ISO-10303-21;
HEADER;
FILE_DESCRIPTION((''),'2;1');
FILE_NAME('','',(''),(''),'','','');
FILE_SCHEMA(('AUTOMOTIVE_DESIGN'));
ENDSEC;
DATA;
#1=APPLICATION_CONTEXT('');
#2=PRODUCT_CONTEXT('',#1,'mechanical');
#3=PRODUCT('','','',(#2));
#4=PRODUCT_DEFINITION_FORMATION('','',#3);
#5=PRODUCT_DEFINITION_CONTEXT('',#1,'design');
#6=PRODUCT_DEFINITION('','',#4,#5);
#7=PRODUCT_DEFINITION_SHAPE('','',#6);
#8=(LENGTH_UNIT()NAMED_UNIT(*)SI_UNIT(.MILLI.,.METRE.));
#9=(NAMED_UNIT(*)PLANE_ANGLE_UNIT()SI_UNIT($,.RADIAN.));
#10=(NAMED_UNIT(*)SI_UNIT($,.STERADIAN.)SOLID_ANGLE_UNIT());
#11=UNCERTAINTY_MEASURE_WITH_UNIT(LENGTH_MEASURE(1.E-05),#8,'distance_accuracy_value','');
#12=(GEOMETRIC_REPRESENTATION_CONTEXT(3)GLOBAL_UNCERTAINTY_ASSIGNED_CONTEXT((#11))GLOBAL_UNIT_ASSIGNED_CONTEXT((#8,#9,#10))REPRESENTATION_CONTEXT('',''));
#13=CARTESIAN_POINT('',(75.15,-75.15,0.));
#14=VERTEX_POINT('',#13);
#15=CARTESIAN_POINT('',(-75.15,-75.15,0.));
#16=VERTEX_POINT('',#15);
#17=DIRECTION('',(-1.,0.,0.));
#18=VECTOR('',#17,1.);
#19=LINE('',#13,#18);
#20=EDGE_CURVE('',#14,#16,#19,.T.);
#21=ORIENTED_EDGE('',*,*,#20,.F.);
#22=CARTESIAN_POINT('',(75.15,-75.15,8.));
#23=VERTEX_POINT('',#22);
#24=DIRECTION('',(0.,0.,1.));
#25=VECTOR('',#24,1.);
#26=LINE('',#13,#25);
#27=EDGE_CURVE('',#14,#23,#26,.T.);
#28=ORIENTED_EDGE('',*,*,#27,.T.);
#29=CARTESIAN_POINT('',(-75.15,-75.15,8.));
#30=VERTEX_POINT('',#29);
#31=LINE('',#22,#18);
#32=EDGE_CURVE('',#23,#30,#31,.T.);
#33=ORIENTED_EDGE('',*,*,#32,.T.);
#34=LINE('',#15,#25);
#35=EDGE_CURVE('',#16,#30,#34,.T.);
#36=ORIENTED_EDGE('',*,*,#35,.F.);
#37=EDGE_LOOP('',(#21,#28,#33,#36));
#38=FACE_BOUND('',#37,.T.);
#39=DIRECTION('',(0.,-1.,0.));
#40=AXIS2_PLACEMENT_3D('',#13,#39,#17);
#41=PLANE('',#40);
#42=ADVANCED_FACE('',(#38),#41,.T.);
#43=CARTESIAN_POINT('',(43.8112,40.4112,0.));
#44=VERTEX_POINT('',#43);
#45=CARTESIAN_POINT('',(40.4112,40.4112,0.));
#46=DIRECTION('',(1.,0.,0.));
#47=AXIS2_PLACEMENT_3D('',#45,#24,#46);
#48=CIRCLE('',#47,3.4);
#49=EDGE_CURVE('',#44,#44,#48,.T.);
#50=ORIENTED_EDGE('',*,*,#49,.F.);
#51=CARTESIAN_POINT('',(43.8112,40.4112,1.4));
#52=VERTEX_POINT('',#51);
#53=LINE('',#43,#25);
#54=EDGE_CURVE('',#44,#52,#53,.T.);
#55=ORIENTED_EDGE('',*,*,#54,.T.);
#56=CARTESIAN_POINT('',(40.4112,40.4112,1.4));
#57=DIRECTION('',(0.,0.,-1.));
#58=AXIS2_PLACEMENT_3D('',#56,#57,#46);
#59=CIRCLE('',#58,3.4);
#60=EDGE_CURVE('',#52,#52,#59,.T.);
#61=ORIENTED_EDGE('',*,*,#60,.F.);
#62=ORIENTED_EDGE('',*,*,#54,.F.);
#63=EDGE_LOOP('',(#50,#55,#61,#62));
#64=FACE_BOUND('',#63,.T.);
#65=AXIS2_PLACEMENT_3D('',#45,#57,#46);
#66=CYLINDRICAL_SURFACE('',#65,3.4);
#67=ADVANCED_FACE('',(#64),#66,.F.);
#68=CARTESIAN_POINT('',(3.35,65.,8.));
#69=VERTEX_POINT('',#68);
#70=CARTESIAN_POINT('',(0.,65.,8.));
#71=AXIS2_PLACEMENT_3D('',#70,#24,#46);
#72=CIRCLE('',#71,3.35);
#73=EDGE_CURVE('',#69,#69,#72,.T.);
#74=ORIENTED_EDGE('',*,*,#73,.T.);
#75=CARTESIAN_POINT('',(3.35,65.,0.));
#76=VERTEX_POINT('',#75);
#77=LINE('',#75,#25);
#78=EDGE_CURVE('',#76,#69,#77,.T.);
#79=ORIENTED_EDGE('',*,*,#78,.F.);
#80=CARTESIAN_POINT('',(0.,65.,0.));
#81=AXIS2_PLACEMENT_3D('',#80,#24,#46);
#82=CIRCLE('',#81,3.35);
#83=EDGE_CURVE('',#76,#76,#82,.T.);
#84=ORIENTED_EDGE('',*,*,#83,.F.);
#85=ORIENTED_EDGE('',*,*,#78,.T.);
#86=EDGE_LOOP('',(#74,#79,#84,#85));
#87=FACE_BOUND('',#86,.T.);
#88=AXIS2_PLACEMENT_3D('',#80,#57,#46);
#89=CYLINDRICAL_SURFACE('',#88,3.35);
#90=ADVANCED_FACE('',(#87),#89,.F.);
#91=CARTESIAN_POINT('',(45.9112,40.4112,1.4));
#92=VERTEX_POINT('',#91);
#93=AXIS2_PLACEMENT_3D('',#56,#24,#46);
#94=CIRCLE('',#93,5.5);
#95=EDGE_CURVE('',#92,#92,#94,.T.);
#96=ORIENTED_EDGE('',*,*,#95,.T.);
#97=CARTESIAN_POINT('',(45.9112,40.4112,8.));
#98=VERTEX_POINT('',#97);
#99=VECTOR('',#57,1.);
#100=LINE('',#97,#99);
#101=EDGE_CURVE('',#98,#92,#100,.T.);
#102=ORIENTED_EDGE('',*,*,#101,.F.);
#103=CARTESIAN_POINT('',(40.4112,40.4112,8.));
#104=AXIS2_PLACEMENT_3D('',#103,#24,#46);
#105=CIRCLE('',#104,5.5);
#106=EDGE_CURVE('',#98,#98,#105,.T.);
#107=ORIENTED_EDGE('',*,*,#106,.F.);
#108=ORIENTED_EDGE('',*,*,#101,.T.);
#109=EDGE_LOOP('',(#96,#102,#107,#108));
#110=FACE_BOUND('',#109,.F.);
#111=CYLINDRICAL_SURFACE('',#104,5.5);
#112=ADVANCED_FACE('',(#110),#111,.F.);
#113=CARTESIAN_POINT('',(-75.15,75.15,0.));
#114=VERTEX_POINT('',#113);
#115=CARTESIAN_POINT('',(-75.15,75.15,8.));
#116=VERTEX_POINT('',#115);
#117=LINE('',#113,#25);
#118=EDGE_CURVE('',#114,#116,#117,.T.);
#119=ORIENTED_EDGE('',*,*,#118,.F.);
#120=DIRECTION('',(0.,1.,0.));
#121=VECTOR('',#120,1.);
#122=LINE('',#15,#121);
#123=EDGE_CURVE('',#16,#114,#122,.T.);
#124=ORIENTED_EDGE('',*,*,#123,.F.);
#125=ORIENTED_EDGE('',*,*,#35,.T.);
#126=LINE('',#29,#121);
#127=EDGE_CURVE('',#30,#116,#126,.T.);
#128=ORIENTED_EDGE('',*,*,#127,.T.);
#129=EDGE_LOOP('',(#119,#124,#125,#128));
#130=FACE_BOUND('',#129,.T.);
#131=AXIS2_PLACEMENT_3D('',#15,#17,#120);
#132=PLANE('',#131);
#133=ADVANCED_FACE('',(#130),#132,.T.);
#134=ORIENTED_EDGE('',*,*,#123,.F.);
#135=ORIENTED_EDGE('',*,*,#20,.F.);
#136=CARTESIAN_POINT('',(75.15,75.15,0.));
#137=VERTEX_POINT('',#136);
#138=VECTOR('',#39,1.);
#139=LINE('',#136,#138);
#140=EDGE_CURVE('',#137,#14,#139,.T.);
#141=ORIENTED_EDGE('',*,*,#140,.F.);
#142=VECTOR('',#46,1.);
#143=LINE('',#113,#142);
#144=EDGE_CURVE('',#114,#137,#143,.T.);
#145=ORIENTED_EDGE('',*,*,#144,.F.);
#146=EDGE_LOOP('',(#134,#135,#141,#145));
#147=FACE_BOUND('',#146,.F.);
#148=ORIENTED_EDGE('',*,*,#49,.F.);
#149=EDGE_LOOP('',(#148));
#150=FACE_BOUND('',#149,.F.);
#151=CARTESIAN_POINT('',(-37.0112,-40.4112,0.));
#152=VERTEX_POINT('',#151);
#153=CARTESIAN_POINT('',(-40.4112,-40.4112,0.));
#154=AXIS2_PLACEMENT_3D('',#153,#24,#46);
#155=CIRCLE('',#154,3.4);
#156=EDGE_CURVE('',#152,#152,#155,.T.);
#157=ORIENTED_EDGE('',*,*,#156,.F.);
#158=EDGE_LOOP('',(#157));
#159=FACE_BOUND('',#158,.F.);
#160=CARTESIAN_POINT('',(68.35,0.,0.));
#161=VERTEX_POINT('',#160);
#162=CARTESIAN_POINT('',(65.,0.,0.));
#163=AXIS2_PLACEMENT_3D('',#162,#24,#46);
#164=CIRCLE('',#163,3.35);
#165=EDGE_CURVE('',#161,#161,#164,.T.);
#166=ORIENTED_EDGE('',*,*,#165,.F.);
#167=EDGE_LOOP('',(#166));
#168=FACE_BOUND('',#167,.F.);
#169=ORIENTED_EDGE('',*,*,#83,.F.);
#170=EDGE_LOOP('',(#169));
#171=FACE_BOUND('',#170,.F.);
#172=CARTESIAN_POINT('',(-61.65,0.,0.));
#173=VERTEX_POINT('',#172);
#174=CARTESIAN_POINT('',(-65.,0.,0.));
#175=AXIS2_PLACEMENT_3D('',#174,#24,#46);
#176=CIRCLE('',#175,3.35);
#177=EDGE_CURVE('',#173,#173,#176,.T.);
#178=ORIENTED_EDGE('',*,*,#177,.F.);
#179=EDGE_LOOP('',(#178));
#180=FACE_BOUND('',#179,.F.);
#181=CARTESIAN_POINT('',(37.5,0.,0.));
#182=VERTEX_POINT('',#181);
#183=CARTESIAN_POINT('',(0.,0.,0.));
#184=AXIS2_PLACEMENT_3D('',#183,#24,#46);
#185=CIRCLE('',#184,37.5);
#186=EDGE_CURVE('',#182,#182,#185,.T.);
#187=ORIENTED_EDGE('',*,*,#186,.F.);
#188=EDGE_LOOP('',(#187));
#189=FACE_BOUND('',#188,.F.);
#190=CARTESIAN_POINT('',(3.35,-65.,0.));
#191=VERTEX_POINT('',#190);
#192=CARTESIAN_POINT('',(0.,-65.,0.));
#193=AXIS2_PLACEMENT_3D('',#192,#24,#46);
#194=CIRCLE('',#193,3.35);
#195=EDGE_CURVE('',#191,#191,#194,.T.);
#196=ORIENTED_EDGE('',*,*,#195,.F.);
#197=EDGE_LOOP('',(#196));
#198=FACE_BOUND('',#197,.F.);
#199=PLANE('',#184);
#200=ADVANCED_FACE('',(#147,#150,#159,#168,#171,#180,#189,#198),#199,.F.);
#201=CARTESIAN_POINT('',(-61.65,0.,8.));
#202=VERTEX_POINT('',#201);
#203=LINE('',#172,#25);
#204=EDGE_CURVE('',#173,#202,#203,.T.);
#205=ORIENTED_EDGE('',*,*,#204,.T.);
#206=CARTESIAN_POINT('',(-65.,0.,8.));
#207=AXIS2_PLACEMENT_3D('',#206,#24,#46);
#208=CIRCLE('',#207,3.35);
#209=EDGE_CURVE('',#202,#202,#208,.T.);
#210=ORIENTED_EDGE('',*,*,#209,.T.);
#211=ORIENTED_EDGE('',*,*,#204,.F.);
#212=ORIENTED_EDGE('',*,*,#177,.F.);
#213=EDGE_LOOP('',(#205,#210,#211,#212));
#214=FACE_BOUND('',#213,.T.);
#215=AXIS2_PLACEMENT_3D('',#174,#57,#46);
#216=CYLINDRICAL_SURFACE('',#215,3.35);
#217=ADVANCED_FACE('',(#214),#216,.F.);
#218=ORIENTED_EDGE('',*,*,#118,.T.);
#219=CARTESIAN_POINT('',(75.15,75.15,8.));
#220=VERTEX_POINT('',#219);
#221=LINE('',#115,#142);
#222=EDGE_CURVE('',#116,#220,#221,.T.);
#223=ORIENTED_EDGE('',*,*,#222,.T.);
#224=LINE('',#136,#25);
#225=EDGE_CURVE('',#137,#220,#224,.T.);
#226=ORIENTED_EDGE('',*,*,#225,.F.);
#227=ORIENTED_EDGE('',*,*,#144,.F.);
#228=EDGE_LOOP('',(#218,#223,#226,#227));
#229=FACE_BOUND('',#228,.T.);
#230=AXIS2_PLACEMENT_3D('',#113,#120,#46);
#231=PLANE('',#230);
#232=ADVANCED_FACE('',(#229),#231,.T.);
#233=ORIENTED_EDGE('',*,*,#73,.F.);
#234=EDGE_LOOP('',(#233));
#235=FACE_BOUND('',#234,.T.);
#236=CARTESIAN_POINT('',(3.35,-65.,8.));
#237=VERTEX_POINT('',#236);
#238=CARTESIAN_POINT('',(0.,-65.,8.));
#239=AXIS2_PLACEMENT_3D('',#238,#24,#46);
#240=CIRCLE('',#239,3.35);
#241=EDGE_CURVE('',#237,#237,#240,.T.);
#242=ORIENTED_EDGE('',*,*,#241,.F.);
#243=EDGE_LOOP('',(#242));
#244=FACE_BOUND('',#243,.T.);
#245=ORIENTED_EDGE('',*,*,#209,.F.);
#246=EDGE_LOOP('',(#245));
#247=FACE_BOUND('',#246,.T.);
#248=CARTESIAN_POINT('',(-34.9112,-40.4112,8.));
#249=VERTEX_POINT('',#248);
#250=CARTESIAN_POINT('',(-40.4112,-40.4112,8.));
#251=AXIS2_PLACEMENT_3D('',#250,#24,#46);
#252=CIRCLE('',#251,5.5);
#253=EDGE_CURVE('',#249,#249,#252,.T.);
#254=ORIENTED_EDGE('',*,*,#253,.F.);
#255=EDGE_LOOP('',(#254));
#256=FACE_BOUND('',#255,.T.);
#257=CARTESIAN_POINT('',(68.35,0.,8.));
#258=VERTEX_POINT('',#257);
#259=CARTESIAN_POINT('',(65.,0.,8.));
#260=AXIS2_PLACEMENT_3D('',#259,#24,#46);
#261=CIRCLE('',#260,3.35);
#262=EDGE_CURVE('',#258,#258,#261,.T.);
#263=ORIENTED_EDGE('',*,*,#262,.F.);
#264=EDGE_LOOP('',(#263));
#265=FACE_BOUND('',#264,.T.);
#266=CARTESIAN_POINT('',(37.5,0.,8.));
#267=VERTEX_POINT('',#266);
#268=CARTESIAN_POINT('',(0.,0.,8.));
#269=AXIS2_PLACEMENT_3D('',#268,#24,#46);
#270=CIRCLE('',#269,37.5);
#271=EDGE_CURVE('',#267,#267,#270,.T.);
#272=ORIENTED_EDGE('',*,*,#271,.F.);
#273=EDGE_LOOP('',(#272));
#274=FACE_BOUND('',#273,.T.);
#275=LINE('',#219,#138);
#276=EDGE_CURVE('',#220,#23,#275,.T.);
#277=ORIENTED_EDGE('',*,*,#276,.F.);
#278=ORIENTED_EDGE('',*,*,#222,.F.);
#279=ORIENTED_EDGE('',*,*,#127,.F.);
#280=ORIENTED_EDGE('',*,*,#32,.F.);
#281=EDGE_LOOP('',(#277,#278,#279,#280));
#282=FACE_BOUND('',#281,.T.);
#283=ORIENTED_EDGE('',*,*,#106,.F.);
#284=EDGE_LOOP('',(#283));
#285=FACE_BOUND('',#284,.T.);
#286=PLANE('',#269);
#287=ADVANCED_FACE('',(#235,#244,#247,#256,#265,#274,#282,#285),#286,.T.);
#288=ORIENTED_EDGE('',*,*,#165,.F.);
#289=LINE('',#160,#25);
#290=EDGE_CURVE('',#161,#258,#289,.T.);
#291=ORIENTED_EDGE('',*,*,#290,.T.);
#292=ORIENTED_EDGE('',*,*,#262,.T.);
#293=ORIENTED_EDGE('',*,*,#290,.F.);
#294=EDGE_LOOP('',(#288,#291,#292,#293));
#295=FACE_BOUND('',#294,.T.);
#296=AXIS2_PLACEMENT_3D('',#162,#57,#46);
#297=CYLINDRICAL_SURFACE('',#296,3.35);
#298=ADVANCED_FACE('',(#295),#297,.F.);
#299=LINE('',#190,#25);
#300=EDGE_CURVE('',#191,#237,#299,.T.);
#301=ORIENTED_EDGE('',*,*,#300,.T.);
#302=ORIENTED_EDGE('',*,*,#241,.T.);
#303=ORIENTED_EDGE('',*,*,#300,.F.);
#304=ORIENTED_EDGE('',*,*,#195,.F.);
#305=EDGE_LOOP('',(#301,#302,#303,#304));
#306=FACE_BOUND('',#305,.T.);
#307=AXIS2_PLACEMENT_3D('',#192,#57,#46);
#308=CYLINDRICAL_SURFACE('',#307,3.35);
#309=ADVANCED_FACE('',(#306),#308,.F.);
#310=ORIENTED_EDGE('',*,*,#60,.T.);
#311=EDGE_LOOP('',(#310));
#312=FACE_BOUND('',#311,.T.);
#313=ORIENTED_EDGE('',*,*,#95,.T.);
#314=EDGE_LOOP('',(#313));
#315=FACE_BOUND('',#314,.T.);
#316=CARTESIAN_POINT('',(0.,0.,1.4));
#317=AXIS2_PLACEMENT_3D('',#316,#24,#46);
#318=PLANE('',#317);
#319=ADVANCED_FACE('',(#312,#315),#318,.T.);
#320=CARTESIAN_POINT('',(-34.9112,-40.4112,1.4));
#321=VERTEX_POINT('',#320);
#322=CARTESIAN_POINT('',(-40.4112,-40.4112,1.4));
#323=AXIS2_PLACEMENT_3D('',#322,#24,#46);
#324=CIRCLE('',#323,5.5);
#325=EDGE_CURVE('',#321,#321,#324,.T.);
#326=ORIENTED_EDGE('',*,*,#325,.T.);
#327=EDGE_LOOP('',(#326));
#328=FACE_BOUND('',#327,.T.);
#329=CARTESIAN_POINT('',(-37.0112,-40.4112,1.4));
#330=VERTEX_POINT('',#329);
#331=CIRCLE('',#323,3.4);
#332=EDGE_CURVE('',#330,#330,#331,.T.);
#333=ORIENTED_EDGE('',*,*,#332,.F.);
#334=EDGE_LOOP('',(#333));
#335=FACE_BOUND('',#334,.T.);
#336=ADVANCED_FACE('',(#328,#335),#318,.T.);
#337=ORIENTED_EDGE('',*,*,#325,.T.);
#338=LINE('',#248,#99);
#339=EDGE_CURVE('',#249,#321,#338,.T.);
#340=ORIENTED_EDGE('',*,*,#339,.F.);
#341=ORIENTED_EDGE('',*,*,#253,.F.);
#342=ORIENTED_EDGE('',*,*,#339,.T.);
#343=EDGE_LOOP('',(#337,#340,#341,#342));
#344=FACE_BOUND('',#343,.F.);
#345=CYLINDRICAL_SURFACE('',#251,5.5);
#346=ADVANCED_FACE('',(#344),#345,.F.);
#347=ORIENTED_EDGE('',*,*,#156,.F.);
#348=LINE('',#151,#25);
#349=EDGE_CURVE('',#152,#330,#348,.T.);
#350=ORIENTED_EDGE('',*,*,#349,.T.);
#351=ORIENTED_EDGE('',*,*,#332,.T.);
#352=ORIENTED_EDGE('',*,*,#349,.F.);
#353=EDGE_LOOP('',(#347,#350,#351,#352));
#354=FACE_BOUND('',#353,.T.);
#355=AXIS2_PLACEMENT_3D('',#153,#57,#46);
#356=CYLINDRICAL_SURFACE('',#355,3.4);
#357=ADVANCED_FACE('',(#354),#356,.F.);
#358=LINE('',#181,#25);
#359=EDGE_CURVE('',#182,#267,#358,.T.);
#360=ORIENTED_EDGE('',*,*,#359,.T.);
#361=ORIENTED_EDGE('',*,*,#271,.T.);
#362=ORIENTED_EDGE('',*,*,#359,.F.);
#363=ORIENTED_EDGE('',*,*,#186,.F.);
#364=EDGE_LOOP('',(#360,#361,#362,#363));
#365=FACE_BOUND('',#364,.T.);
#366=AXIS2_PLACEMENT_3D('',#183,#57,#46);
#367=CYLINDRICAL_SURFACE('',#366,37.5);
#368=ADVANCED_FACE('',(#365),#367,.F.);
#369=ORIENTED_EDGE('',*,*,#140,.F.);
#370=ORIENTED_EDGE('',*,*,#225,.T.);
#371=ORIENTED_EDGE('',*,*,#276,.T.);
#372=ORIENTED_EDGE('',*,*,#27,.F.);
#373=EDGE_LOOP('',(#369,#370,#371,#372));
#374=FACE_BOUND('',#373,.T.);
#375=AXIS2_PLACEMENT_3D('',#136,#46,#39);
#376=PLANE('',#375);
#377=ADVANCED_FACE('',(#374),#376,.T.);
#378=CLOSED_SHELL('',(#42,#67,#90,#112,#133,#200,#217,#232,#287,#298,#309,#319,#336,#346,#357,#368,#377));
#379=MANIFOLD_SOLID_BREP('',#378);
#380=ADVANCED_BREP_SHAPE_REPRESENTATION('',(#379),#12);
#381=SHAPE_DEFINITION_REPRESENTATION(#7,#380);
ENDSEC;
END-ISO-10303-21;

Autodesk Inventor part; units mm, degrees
ref_plane "YZ Plane" through (0, 0, 0) normal (1, 0, 0) x (0, 1, 0)
ref_plane "XZ Plane" through (0, 0, 0) normal (0, 1, 0) x (-1, 0, 0)
ref_plane "XY Plane" through (0, 0, 0) normal (0, 0, 1) x (1, 0, 0)
sketch "Sketch1" plane through (0, 0, 0) normal (0, 0, 1) x (1, 0, 0)
  line L0 (-75.15, 75.15) -> (75.15, 75.15)
  line L1 (75.15, 75.15) -> (75.15, -75.15)
  line L2 (75.15, -75.15) -> (-75.15, -75.15)
  line L3 (-75.15, -75.15) -> (-75.15, 75.15)
  circle A0 centre (40.4112, 40.4112) radius 3.4
  circle A1 centre (-40.4112, -40.4112) radius 3.4
  circle A2 centre (-65, 0) radius 3.35
  circle A3 centre (0, -65) radius 3.35
  circle A4 centre (0, 65) radius 3.35
  circle A5 centre (65, 0) radius 3.35
  circle A6 centre (0, 0) radius 65 construction
  circle A7 centre (0, 0) radius 37.5
  circle A8 centre (0, 0) radius 57.15 construction
  line L4 (40.4112, 40.4112) -> (-40.4112, -40.4112) construction
  point P0 (0, 75.15)
  point P1 (75.15, 0)
  dimension "d14" = 150.3
  dimension "d26" = 6.7
  dimension "d32" = 130
  dimension "d33" = 75
  dimension "d40" = 114.3
  dimension "d42" = 6.8
  dimension "d43" = 45
extrude "Extrusion1" add sketch "Sketch1" along normal blind 8
sketch "Sketch2" plane through (0, 0, 8) normal (0, 0, 1) x (1, 0, 0)
  circle A0 centre (40.4112, 40.4112) radius 3.4 projected
  circle A1 centre (40.4112, 40.4112) radius 5.5
  circle A2 centre (-40.4112, -40.4112) radius 3.4 projected
  circle A3 centre (-40.4112, -40.4112) radius 5.5
  point P0 (0, 0)
  dimension "d46" = 11
extrude "Extrusion2" cut sketch "Sketch2" against normal blind 6.6 contours A0 | A1 | A3
properties part number "FLI-Al-Plate" material "Aluminum 6061"
